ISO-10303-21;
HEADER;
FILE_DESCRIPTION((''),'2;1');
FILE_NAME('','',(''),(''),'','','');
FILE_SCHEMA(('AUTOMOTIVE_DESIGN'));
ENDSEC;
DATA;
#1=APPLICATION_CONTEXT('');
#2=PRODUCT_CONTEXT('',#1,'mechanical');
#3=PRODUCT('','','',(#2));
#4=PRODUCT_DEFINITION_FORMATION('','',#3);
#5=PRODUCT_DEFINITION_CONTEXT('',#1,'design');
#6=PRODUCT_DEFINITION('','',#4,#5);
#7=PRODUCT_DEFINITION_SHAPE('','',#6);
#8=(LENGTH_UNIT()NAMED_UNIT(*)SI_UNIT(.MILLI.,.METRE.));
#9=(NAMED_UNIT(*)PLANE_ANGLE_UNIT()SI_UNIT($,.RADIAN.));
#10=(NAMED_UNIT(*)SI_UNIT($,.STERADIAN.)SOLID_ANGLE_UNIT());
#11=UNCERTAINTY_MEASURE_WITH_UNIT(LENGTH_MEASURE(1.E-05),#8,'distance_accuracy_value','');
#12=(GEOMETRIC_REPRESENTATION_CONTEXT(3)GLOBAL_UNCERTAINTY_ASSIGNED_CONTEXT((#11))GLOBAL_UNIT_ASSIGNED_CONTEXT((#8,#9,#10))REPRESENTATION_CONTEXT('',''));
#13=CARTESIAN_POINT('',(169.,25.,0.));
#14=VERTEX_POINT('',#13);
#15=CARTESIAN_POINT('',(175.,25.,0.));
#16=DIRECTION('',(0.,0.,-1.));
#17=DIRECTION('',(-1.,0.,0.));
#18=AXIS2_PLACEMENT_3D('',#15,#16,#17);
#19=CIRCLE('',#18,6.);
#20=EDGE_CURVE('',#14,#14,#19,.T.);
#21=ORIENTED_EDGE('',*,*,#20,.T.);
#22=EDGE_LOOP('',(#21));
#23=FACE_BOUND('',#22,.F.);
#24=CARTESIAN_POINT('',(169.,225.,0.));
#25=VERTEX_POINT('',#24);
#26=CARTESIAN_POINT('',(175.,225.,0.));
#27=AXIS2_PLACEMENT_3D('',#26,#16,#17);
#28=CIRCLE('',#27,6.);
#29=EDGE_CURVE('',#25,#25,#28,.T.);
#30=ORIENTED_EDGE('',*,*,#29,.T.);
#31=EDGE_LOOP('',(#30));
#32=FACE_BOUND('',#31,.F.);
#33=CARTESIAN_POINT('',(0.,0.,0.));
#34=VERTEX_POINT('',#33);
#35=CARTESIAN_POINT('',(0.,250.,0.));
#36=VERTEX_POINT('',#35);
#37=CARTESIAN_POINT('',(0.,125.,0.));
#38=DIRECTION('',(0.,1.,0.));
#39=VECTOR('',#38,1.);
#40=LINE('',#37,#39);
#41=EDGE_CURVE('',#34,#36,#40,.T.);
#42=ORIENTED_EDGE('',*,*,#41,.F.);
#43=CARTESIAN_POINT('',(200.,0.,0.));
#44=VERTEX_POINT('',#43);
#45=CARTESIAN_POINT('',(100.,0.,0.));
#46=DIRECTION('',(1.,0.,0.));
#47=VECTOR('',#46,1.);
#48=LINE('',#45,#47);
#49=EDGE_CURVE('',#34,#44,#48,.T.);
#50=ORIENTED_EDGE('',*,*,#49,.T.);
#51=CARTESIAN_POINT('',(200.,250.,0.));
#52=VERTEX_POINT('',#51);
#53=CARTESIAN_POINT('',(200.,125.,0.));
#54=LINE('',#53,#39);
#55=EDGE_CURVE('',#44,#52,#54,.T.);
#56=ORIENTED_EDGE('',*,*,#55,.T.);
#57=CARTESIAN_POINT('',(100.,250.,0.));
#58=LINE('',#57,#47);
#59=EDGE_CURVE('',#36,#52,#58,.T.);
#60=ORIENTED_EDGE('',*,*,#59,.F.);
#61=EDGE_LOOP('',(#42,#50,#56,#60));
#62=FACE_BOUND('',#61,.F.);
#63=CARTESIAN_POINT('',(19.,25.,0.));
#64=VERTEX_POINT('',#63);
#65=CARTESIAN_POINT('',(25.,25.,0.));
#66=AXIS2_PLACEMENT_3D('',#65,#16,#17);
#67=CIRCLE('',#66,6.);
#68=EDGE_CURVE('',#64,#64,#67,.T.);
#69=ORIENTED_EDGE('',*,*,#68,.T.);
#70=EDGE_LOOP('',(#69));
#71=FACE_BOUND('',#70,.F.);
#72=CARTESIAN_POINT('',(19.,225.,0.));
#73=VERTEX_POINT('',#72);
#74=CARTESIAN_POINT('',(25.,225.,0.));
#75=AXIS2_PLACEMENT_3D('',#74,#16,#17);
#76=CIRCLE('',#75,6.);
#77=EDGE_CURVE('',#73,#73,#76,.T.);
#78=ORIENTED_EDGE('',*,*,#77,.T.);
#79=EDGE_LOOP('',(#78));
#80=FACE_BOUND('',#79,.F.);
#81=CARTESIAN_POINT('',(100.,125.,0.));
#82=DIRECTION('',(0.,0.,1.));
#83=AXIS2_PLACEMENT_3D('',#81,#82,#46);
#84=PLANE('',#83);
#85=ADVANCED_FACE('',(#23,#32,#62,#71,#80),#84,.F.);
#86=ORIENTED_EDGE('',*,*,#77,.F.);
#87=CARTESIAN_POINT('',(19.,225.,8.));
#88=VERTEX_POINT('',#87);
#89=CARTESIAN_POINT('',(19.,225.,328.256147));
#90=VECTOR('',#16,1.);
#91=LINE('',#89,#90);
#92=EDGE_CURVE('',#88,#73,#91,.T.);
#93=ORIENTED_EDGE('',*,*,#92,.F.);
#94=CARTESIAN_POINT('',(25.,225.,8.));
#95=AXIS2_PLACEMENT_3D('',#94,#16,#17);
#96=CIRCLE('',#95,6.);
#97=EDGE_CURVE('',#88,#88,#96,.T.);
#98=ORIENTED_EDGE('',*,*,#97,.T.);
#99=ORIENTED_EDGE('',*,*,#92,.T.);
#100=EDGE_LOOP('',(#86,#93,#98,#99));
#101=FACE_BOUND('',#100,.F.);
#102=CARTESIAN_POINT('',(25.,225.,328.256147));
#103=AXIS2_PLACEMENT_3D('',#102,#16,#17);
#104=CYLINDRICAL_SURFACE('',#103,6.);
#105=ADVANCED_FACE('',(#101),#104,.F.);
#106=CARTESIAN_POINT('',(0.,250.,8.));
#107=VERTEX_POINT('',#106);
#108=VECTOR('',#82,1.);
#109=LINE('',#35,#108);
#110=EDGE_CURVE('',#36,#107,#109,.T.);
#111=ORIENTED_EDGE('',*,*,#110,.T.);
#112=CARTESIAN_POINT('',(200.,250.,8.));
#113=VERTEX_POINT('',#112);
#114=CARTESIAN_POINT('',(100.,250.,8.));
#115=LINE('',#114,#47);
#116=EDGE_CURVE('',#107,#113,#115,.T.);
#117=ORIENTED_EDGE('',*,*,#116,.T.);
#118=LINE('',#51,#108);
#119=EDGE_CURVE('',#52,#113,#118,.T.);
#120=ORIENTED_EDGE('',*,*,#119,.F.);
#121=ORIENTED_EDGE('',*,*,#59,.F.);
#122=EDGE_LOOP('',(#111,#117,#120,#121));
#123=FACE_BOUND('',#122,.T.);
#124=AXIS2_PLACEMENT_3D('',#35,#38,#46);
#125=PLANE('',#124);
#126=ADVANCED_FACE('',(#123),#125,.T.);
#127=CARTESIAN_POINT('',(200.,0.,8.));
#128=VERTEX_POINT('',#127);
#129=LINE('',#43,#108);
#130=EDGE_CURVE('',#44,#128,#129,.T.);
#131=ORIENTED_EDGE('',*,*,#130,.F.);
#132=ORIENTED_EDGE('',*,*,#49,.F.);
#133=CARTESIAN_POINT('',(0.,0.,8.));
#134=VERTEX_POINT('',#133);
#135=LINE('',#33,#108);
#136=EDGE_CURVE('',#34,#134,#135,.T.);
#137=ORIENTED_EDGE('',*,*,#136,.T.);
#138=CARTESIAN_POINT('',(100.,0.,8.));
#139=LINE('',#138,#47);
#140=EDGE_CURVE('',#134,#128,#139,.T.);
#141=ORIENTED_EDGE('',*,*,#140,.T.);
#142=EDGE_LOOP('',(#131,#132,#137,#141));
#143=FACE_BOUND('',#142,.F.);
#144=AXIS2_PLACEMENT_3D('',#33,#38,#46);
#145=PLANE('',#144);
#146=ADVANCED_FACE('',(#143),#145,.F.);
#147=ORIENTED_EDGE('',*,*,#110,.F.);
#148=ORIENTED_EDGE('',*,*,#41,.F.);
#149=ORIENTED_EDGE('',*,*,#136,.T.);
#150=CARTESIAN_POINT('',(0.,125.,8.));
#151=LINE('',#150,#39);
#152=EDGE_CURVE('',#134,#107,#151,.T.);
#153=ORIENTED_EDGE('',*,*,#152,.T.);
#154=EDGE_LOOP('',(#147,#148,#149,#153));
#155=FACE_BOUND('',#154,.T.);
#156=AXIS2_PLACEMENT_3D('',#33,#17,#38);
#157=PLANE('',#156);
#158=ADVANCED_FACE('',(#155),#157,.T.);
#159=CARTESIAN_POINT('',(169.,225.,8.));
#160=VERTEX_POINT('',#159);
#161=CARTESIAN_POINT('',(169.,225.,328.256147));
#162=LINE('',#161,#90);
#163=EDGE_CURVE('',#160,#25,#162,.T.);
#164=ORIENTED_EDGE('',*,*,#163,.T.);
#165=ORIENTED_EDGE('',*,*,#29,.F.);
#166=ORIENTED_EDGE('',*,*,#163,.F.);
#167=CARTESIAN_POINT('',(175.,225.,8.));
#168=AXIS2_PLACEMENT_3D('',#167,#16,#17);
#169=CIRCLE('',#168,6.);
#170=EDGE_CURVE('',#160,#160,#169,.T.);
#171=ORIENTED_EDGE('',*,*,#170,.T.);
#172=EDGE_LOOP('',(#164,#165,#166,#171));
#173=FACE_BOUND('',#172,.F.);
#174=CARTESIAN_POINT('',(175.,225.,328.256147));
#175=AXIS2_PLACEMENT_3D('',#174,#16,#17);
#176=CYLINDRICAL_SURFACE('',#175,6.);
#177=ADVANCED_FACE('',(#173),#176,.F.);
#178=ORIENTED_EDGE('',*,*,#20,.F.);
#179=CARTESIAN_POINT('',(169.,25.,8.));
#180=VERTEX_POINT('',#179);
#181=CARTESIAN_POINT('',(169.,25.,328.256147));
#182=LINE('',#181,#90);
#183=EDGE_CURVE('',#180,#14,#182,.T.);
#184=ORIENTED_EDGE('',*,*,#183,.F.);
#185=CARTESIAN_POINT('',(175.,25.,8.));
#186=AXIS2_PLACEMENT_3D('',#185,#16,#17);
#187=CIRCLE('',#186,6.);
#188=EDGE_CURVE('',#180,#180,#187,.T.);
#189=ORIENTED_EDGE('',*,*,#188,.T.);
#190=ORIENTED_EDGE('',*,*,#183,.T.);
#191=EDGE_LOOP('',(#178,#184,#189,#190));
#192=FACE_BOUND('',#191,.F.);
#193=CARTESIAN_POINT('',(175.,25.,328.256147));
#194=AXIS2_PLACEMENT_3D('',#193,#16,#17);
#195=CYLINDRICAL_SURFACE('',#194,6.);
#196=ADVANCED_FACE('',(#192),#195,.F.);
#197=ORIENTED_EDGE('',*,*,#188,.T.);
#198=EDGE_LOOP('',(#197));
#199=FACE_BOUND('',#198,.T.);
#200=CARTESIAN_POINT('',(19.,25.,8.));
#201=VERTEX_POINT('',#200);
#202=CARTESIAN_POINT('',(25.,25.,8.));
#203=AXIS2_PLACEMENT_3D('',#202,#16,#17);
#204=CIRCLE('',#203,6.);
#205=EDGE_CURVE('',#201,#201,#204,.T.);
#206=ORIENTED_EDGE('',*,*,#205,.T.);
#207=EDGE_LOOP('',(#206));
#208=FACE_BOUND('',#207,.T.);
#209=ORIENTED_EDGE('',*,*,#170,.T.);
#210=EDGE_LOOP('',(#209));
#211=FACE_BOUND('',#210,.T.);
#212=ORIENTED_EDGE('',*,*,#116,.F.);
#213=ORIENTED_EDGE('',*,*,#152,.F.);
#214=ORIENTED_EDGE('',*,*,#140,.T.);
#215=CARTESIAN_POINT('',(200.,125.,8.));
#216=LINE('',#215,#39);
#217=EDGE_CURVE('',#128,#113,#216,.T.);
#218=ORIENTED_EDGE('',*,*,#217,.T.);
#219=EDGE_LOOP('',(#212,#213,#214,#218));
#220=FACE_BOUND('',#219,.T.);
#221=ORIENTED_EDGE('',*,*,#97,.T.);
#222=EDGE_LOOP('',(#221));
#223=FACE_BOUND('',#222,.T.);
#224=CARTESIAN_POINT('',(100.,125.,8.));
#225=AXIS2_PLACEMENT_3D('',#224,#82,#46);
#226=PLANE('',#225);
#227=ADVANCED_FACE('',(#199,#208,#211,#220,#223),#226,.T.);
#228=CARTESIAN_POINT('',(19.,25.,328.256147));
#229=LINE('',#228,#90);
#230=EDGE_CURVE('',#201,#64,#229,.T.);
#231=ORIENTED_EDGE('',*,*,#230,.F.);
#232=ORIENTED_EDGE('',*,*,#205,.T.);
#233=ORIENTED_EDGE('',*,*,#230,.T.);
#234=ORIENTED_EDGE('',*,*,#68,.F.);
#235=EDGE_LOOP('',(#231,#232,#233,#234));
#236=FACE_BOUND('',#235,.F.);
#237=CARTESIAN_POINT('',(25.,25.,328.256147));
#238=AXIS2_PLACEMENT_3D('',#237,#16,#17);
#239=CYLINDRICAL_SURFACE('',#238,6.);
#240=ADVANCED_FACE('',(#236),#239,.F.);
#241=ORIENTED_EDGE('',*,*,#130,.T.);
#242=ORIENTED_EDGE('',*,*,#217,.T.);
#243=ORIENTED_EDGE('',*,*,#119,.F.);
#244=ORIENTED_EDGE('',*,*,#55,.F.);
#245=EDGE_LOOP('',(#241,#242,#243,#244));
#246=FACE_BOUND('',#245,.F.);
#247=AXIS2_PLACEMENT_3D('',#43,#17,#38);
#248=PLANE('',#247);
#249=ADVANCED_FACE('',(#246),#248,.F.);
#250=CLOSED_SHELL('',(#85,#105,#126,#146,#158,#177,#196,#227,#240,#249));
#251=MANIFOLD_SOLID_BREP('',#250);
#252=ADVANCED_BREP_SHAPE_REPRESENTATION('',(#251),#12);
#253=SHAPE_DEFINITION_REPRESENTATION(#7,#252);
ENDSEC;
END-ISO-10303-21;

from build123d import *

# Parameters (mm, degrees)
F0_W     = 200
F0_H     = 250
F1_DEPTH = 8
F3_D     = 12


with BuildPart() as f1:
    # F0 (on Top) → F1 (new body)
    with BuildSketch(Plane.XY):
        with Locations((100, 125)):
            Rectangle(F0_W, F0_H)
    extrude(amount=F1_DEPTH)

    # F3 (through all)
    with Locations(Plane.XY.offset(8)):
        with Locations((25, 225), (25, 25), (175, 225), (175, 225), (175, 25)):
            Hole(F3_D / 2)


solid = f1.part
